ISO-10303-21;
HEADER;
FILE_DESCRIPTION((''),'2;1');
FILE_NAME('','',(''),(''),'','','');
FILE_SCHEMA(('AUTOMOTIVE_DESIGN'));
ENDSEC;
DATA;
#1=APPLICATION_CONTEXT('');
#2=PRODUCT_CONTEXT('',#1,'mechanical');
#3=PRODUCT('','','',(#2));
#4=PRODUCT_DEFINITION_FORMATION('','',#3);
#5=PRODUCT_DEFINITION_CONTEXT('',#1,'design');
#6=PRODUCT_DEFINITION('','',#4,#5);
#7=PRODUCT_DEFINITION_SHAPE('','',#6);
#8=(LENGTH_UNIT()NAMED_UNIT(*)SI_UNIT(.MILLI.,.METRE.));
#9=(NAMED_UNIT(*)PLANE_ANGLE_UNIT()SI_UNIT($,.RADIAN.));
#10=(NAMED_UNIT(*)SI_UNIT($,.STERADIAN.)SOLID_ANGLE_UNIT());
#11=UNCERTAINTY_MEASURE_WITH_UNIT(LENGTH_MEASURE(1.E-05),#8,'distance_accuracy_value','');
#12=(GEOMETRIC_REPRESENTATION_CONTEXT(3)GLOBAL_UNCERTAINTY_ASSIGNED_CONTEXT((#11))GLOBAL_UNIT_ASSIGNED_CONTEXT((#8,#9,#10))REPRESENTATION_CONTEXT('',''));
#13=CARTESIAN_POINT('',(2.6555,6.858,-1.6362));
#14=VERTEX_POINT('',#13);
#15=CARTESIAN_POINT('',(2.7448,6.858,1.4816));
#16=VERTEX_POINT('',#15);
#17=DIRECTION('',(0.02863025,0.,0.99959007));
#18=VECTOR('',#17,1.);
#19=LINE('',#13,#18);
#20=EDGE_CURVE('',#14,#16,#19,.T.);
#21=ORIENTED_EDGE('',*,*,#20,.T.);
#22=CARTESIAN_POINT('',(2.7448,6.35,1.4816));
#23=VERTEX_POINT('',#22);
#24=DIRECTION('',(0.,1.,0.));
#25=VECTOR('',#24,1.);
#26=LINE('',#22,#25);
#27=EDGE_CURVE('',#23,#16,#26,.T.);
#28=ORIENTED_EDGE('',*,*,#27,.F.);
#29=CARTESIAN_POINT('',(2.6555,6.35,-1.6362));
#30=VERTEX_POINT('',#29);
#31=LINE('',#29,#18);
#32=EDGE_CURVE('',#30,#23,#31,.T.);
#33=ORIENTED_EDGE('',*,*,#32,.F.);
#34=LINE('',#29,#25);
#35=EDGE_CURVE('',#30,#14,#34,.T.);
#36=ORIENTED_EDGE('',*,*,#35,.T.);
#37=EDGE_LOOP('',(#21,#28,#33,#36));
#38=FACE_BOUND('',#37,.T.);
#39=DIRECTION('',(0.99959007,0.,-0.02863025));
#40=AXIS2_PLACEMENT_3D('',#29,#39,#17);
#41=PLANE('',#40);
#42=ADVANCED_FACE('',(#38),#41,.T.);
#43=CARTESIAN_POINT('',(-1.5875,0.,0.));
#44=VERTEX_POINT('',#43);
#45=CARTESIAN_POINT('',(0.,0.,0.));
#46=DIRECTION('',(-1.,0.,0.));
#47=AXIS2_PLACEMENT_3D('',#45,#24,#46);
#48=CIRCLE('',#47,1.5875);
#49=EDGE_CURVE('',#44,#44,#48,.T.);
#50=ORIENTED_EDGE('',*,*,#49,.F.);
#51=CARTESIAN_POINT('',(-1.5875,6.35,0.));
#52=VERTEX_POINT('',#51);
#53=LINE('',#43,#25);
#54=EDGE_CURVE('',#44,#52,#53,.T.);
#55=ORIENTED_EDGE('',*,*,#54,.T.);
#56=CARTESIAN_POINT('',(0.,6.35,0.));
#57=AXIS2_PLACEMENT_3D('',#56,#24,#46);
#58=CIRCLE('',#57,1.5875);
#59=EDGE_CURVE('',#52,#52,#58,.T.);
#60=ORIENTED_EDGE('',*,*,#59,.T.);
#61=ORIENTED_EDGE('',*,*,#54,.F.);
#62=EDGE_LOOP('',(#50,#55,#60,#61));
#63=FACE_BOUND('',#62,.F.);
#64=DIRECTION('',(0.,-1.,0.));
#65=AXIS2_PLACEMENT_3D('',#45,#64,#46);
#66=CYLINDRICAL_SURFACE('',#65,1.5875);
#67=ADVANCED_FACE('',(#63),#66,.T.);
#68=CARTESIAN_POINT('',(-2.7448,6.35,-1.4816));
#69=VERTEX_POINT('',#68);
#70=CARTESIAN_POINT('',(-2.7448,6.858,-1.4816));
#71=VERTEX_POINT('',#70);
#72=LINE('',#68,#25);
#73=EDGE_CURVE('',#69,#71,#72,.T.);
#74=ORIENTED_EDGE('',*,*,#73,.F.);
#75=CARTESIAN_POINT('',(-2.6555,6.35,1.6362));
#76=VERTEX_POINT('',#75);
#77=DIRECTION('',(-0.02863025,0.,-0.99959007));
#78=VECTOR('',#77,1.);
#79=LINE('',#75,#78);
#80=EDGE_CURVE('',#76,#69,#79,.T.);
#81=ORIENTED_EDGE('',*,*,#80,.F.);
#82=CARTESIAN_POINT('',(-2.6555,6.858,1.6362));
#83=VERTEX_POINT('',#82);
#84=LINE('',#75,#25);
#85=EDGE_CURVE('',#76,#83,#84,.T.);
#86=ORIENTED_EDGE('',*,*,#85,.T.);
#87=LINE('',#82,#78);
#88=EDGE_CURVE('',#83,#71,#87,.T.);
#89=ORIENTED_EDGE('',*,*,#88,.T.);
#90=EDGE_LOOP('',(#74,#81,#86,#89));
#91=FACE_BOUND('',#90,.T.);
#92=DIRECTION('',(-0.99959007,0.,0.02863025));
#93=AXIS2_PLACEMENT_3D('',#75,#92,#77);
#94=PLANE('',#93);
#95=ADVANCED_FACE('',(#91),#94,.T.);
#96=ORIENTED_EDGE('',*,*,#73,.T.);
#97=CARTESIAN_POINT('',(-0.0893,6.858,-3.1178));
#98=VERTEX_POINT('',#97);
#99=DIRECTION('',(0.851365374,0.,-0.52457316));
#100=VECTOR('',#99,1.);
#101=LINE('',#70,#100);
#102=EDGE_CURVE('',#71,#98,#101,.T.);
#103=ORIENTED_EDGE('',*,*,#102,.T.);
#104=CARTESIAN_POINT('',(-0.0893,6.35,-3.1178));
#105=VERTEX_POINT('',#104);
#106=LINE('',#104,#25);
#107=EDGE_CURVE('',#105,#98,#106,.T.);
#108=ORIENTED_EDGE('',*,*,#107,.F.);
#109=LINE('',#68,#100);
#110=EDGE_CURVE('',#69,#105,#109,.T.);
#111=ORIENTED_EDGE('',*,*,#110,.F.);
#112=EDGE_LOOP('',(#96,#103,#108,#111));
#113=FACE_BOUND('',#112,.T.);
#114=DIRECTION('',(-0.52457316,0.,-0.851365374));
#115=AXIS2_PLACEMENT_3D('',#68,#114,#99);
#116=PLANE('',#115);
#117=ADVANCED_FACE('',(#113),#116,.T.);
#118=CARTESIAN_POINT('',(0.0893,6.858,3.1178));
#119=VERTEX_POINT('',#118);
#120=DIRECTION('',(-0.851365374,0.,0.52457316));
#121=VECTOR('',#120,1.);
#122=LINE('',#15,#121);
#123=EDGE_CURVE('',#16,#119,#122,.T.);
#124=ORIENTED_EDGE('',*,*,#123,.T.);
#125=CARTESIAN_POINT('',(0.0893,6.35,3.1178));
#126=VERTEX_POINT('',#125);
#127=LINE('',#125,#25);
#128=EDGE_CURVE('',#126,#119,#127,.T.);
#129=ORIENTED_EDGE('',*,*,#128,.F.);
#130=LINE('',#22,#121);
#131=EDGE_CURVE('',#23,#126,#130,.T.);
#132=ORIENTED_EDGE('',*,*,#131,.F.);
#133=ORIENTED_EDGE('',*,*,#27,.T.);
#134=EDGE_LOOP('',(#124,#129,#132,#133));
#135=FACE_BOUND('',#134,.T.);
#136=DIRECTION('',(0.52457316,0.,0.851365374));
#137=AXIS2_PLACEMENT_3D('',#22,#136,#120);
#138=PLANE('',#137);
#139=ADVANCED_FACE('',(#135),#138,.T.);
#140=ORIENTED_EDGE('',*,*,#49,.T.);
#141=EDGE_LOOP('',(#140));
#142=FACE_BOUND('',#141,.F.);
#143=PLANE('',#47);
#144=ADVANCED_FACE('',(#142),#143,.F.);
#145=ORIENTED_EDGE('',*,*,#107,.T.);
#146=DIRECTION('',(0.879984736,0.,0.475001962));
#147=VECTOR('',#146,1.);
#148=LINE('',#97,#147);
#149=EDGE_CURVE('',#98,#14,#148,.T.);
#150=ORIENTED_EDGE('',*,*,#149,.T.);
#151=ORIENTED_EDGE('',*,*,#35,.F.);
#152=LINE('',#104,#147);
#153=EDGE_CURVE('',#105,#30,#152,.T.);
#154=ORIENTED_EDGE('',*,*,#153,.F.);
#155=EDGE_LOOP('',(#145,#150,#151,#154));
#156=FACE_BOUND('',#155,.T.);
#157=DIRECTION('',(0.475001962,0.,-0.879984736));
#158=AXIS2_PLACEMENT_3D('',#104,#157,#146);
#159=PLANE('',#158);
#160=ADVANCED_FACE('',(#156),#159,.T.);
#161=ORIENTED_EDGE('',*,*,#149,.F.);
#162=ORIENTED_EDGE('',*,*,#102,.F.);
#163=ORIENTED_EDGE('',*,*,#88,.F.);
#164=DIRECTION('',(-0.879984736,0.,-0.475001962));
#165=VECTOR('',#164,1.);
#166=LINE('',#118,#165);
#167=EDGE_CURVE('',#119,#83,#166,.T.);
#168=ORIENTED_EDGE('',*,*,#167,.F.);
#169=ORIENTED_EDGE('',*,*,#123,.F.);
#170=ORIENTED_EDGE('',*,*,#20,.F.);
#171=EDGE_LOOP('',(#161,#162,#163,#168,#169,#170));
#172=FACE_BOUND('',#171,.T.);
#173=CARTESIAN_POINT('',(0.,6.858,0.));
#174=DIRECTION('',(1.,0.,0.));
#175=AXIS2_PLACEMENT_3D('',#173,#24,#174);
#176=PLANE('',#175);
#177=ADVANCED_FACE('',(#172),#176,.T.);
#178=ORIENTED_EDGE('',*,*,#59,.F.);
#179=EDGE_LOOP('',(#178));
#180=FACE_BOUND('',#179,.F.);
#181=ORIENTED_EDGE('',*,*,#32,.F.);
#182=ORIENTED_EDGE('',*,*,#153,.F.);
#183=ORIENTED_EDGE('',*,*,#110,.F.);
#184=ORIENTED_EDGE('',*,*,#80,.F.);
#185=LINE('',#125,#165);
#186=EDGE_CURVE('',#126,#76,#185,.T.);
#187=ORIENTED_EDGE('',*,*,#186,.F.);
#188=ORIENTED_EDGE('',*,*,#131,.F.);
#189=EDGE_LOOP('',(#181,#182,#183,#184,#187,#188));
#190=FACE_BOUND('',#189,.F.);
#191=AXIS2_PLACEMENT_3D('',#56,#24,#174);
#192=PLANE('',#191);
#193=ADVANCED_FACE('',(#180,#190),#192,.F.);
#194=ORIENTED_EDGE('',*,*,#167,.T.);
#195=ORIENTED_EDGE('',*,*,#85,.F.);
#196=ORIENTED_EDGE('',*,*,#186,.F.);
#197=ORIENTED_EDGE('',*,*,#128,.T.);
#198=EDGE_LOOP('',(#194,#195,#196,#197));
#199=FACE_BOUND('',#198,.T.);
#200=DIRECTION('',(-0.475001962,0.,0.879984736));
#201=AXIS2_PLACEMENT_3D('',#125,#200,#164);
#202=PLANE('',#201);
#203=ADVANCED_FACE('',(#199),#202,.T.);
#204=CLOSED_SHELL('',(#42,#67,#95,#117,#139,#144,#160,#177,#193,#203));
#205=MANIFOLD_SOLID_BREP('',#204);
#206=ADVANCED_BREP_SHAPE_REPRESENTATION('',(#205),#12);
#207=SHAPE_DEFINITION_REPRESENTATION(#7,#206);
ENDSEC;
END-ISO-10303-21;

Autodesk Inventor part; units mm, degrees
ref_plane "YZ Plane" through (0, 0, 0) normal (1, 0, 0) x (0, 1, 0)
ref_plane "XZ Plane" through (0, 0, 0) normal (0, 1, 0) x (-1, 0, 0)
ref_plane "XY Plane" through (0, 0, 0) normal (0, 0, 1) x (1, 0, 0)
sketch "Sketch1" plane through (0, 0, 0) normal (0, 1, 0) x (-1, 0, 0)
  circle A0 centre (0, 0) radius 6.35
  circle A1 centre (0, 0) radius 1.5875
  dimension "d0" = 12.7
  dimension "d1" = 3.175
extrude "Extrusion1" add sketch "Sketch1" along normal blind 6.35 contours A1
thread "Thread1" size "5-40 UNC" class "2A" standard "ANSI Unified Screw Threads" full length
sketch "Sketch3" plane through (0, 6.35, 0) normal (0, 1, 0) x (1, 0, 0)
  line L0 (-2.6555, -1.6362) -> (-2.7448, 1.4816)
  line L1 (-2.7448, 1.4816) -> (-0.0893, 3.1178)
  line L2 (-0.0893, 3.1178) -> (2.6555, 1.6362)
  line L3 (2.6555, 1.6362) -> (2.7448, -1.4816)
  line L4 (2.7448, -1.4816) -> (0.0893, -3.1178)
  line L5 (0.0893, -3.1178) -> (-2.6555, -1.6362)
  point P0 (0, 0)
  point P1 (0, 0)
extrude "Extrusion3" add sketch "Sketch3" along normal blind 0.508
thread "Thread3" size "5/8-11 UNC" class "2A" standard "ANSI Unified Screw Threads" full length
thread "Thread4" size "7/8-9 UNC" class "2A" standard "ANSI Unified Screw Threads" full length
properties part number ".125bolt"
